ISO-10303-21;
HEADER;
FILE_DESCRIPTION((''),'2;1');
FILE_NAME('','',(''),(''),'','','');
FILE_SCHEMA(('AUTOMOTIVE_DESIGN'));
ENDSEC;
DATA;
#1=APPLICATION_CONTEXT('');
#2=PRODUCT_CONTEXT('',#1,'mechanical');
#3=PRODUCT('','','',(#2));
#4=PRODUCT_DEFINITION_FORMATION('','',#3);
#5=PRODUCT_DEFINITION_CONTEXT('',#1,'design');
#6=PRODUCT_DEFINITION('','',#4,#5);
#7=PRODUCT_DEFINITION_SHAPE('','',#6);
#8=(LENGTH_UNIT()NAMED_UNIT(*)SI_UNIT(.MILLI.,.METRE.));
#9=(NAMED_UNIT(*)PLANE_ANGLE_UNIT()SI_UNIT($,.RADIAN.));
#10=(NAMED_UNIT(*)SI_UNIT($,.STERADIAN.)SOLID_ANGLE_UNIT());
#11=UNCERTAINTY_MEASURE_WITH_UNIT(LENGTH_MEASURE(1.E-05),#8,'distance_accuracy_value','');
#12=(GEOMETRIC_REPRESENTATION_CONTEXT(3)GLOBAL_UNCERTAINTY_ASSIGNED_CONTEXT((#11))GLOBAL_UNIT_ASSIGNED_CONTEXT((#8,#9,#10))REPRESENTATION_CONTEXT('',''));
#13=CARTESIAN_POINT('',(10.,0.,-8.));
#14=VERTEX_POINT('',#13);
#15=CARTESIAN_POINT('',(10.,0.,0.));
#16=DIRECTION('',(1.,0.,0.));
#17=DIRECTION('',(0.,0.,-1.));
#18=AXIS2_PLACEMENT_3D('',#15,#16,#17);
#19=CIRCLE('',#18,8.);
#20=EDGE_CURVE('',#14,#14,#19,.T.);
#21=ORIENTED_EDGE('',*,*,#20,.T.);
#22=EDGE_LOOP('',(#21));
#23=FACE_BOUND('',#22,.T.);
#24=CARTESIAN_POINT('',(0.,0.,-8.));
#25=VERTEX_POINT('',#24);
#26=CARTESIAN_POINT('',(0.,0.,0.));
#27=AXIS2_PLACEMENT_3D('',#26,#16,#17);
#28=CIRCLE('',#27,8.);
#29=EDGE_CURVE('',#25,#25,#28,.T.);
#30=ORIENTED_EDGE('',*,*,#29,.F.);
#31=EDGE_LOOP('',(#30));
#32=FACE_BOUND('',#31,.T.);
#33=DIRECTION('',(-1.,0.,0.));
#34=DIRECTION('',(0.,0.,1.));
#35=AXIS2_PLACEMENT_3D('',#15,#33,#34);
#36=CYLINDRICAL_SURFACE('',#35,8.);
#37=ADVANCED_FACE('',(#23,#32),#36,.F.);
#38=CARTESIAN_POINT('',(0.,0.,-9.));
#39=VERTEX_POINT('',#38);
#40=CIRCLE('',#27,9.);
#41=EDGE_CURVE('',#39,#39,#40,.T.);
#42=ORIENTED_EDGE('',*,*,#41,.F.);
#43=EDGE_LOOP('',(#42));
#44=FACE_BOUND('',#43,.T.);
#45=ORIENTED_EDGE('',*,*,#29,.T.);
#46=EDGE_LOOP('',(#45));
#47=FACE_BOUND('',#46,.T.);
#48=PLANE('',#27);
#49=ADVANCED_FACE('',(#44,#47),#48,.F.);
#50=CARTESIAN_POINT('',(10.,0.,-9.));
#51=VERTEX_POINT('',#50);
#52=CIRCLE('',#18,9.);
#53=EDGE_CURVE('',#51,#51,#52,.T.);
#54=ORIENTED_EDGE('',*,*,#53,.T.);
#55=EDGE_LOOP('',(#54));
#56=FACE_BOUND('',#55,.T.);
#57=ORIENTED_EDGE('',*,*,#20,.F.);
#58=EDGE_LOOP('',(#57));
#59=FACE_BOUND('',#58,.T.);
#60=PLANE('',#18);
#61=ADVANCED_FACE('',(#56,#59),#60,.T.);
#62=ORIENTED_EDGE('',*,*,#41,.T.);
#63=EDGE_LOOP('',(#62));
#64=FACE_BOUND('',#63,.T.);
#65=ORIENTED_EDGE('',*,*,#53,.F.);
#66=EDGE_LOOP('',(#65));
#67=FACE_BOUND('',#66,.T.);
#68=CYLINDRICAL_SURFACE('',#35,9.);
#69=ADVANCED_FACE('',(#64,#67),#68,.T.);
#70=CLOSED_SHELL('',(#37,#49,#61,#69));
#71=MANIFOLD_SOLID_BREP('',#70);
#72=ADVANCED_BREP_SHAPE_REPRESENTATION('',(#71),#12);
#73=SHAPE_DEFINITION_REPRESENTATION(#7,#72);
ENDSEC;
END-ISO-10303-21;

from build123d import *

# Parameters (mm, degrees)
SKIZZE1_R                       = 9
SKIZZE1_R_2                     = 8
AUFSATZ_LINEAR_AUSTRAGEN1_DEPTH = 10


with BuildPart() as part:
    # Skizze1 → Aufsatz-Linear austragen1 (new body)
    with BuildSketch(Plane(origin=(0, 0, 0), x_dir=(0, 0, -1), z_dir=(1, 0, 0))):
        Circle(SKIZZE1_R)
        Circle(SKIZZE1_R_2, mode=Mode.SUBTRACT)
    extrude(amount=AUFSATZ_LINEAR_AUSTRAGEN1_DEPTH)


solid = part.part
